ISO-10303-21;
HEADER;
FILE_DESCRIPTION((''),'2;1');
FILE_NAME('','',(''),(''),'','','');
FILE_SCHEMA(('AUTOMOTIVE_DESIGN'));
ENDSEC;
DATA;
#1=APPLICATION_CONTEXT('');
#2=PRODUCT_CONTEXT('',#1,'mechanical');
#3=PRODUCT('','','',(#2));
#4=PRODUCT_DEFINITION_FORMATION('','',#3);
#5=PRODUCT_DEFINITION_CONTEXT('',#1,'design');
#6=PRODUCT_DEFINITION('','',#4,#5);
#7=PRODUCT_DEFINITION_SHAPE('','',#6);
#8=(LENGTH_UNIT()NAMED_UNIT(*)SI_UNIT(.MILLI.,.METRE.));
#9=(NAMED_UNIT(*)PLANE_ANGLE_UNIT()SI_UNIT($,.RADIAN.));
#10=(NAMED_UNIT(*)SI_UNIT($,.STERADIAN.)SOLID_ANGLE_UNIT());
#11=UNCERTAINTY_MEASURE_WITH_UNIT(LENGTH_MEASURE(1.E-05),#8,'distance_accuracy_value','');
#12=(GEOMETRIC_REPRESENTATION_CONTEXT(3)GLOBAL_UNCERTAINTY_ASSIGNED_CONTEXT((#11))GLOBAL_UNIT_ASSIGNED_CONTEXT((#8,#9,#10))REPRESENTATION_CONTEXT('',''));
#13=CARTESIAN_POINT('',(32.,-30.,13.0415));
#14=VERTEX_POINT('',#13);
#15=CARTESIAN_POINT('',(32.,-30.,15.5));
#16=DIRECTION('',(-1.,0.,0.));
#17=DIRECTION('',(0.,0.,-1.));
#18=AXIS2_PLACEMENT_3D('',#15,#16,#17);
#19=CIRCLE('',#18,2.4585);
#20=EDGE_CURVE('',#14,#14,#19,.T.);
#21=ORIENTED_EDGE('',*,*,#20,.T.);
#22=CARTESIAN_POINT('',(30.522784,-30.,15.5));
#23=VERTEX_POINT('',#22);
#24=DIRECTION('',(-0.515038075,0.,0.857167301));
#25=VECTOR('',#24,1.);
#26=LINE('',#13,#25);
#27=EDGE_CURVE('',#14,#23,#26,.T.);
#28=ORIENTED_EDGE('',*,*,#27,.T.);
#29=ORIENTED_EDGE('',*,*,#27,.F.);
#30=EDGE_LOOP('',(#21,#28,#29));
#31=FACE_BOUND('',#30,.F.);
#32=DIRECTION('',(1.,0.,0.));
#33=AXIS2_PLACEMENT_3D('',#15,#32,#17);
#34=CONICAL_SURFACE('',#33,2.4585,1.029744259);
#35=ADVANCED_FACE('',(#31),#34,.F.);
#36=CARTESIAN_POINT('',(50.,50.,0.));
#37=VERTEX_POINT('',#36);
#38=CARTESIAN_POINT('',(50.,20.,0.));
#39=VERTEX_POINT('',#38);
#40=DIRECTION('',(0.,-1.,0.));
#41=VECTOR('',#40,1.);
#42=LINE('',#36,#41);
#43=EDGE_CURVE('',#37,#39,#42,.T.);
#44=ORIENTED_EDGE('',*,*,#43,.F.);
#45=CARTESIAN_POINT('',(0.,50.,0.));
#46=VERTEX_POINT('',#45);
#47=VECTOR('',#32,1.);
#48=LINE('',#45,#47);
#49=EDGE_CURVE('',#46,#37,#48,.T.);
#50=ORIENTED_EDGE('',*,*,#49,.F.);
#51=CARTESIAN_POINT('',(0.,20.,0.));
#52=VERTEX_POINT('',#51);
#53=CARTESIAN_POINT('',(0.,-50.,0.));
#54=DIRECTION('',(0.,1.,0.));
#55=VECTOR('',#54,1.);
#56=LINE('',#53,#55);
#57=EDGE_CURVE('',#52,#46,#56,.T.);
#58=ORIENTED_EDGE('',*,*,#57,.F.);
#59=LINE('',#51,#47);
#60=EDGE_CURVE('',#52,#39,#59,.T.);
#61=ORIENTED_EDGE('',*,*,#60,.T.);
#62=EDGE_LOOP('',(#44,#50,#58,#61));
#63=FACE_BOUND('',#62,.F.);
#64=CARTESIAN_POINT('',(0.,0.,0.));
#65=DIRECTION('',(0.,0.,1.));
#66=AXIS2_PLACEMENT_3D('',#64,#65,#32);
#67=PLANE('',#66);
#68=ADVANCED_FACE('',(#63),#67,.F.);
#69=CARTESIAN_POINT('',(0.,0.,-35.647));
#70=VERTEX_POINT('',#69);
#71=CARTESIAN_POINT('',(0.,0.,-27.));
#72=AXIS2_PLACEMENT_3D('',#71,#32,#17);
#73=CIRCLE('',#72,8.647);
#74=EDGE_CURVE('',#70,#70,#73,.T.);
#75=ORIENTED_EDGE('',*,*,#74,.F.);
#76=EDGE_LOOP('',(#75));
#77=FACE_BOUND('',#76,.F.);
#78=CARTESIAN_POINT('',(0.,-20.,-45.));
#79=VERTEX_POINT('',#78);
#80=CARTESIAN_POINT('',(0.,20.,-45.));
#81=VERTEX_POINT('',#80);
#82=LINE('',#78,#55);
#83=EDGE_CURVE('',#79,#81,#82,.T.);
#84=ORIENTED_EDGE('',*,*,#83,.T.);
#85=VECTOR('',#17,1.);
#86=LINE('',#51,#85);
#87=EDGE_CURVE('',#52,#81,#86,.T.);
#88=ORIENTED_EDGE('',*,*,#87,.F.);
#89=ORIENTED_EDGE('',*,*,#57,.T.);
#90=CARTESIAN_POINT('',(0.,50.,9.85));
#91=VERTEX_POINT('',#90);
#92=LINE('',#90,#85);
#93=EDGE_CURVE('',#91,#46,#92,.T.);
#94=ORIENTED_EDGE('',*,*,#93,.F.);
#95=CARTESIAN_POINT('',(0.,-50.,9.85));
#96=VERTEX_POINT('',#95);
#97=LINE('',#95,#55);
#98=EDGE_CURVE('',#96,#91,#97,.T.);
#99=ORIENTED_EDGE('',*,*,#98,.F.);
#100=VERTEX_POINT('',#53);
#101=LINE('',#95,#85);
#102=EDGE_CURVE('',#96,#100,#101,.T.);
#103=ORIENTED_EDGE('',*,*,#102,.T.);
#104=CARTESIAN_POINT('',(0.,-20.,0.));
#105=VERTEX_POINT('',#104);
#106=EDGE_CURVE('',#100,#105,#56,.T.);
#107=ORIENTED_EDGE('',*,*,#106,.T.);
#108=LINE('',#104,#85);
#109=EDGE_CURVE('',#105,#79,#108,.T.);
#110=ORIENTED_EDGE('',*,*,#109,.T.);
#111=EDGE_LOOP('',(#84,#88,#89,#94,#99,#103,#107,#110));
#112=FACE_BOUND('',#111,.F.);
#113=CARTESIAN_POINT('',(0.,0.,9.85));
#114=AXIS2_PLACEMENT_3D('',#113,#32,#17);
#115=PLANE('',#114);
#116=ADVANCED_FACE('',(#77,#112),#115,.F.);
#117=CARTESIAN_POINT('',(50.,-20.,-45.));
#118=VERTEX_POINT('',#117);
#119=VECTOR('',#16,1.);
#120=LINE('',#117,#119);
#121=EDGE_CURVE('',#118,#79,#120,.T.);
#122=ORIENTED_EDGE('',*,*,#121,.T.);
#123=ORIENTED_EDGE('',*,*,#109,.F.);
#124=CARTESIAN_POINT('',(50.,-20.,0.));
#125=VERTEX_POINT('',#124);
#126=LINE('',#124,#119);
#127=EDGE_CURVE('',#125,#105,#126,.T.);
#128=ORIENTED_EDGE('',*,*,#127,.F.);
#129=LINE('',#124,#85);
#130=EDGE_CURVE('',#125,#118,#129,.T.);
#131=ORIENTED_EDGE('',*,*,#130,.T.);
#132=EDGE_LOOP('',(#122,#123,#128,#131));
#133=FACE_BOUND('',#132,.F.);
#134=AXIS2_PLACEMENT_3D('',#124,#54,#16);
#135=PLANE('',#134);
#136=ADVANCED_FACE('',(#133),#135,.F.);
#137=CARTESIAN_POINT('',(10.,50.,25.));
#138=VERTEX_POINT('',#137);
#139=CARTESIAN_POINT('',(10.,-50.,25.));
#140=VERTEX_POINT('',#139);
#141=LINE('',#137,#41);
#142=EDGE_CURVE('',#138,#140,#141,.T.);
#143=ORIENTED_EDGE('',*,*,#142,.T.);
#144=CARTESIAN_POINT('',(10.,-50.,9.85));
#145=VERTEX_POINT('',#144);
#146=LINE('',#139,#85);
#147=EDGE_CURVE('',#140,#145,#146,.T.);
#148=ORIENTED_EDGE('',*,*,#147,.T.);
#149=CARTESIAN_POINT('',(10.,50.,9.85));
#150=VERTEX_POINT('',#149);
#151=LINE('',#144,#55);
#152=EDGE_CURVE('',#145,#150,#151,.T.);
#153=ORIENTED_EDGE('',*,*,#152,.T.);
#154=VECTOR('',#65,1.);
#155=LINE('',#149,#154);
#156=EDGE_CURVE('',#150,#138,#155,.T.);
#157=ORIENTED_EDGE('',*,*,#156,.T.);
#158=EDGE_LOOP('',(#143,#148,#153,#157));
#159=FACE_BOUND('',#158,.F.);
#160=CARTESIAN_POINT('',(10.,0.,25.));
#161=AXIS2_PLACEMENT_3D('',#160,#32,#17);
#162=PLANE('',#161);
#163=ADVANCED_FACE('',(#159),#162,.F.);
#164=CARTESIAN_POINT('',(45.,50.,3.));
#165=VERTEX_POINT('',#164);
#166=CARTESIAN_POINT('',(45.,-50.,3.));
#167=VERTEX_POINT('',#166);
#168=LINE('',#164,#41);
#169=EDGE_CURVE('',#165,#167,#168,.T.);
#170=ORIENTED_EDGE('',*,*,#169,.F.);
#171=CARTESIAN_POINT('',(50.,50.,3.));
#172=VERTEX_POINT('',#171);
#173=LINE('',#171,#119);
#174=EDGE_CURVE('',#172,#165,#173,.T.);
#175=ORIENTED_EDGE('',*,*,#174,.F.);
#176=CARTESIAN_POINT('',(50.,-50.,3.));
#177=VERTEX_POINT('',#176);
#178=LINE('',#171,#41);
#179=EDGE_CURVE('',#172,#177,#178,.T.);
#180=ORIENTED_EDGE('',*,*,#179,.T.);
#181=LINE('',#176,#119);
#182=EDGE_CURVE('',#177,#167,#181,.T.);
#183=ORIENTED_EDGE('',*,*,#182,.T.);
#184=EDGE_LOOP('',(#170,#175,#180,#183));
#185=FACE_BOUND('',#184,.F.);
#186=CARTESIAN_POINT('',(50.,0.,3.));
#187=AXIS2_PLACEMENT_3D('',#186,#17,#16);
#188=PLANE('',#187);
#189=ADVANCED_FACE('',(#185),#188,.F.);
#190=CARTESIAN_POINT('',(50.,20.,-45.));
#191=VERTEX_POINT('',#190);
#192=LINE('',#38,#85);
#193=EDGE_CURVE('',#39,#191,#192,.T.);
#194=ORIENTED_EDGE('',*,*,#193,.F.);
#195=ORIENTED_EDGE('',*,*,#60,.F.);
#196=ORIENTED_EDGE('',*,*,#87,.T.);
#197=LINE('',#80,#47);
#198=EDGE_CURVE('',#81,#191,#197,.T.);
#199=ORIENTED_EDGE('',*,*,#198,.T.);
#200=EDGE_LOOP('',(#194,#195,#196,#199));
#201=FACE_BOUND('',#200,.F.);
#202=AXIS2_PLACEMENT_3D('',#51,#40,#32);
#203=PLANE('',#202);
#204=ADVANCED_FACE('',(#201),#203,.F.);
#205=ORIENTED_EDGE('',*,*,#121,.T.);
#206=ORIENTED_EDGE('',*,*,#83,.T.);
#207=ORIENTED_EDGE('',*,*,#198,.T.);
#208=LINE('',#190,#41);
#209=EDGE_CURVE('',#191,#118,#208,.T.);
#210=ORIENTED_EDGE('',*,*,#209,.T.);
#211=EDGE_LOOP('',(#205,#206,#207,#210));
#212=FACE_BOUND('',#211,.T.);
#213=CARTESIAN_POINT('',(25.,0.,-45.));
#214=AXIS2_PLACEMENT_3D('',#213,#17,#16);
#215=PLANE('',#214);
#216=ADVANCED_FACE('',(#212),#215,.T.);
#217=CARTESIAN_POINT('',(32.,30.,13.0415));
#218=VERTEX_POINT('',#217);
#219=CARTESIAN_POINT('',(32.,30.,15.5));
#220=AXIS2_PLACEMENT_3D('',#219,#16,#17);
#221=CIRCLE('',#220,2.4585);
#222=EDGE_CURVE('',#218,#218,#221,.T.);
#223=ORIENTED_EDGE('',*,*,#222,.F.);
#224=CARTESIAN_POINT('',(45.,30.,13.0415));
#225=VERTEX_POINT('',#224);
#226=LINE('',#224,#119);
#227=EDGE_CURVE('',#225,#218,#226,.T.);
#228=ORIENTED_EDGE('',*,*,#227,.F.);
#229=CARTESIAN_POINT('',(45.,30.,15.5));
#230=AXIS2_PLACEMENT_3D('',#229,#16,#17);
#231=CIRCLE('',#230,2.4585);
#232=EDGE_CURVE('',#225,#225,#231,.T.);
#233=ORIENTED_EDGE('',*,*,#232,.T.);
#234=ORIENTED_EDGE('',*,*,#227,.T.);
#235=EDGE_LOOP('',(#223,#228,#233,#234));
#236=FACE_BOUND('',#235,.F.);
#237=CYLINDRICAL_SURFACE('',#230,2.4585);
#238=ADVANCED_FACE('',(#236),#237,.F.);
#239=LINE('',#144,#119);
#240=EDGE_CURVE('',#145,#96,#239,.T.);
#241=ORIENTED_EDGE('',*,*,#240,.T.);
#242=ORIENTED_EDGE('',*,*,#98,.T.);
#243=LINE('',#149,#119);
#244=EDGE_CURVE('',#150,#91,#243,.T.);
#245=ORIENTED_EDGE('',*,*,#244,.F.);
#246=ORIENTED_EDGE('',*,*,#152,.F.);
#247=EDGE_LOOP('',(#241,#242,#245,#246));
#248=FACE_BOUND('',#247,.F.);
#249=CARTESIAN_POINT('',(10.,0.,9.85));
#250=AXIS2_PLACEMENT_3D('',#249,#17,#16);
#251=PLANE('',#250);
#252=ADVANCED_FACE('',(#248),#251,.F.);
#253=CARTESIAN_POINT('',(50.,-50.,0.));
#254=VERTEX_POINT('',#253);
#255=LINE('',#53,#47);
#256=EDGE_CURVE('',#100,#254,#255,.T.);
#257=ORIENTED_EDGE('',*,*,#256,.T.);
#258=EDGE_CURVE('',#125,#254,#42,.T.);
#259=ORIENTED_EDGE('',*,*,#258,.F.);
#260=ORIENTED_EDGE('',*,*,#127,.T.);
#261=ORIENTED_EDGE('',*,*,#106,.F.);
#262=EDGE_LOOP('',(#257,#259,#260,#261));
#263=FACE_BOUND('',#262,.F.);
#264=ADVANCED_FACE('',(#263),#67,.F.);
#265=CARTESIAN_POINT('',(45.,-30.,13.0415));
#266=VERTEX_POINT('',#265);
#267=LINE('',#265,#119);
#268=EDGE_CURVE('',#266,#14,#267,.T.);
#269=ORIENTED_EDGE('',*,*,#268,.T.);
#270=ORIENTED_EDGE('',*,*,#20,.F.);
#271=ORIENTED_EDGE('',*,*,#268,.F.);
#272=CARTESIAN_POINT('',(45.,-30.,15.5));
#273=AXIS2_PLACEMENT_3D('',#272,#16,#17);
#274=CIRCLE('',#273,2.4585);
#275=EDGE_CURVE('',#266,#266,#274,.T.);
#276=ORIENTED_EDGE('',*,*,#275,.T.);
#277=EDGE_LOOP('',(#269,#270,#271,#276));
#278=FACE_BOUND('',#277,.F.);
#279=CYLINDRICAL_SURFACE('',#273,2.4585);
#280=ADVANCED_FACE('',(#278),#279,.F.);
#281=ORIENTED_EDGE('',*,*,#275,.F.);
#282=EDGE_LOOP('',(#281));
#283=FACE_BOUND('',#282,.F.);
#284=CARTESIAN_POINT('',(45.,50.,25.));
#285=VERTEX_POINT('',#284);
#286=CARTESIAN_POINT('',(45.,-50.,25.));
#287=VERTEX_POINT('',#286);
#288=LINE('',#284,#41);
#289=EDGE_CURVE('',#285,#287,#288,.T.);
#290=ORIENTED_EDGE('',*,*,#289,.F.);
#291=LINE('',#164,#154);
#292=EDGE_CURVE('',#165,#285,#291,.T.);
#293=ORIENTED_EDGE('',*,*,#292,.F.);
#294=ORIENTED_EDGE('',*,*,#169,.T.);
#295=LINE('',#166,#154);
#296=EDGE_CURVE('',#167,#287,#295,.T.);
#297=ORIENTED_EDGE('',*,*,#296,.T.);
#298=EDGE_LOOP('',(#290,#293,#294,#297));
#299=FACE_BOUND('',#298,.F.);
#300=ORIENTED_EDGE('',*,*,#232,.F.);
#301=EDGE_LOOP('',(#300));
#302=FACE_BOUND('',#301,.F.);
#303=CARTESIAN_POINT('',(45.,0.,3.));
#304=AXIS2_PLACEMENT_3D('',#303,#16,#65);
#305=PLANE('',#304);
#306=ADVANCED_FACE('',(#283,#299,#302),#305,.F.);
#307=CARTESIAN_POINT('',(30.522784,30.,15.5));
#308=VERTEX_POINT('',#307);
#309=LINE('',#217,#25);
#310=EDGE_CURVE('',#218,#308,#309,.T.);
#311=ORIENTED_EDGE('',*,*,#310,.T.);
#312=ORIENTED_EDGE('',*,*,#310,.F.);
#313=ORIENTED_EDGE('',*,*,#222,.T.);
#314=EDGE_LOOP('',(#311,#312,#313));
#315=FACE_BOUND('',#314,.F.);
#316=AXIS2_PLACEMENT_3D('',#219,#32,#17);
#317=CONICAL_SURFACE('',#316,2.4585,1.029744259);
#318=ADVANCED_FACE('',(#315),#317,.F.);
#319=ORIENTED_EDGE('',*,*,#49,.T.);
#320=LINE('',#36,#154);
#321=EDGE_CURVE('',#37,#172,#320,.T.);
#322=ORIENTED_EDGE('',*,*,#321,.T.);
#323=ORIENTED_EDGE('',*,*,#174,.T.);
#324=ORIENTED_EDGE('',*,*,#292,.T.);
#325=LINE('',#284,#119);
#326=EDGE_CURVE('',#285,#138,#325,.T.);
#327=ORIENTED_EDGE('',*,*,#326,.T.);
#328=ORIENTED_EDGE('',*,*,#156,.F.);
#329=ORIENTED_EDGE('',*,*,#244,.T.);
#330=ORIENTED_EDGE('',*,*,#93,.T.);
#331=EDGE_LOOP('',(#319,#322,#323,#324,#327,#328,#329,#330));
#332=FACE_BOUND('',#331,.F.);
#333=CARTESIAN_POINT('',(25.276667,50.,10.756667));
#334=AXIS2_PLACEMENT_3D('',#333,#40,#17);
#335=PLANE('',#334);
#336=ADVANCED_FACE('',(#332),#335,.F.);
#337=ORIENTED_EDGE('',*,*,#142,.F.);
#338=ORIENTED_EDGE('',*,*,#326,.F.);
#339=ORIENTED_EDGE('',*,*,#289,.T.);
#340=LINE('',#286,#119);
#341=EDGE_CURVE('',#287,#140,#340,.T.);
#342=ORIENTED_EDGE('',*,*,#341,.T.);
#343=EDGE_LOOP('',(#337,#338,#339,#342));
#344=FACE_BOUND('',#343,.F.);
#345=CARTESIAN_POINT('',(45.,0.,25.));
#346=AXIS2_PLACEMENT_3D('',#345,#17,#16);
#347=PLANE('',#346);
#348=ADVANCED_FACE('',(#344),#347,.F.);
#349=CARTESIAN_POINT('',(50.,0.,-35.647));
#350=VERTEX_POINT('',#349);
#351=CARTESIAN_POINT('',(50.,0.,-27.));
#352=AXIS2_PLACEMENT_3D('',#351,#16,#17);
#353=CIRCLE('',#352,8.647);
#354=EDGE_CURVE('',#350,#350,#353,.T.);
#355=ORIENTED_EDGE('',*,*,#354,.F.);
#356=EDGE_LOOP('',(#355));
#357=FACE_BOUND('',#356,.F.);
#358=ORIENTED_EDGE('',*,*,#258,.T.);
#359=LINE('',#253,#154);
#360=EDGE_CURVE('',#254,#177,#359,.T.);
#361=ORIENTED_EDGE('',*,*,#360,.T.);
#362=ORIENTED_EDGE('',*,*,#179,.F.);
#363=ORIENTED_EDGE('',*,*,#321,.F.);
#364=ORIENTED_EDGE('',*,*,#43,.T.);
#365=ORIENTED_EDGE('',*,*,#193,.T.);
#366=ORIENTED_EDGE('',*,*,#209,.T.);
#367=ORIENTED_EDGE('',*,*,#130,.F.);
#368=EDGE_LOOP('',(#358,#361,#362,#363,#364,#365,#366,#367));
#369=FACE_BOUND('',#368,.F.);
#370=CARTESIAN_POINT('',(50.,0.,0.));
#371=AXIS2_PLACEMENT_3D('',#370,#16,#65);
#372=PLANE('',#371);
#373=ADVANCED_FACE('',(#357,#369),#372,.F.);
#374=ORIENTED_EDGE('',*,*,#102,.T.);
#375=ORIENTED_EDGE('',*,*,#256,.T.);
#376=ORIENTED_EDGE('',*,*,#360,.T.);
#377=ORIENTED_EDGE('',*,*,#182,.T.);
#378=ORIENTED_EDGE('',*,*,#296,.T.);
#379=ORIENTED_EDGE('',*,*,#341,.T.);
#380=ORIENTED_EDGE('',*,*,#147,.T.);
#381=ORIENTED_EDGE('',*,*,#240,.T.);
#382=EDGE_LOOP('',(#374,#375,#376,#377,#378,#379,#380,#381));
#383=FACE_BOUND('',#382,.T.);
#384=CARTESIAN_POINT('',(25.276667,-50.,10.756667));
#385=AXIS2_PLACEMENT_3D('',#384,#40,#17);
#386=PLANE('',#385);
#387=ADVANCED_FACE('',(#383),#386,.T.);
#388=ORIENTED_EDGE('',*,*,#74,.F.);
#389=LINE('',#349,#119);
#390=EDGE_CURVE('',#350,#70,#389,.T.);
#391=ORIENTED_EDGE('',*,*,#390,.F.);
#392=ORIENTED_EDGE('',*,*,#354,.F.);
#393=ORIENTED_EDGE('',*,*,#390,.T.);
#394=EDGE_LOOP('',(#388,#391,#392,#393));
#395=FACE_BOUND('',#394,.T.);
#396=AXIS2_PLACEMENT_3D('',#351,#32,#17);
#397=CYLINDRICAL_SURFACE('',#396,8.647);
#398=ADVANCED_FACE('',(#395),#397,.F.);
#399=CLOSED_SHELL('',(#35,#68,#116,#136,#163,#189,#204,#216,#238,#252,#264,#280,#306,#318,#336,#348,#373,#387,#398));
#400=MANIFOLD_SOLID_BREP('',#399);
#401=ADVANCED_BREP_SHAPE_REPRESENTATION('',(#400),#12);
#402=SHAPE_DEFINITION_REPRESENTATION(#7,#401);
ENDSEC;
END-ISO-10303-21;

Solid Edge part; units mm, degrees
sketch "Sketch1" plane through (0, 0, 0) normal (0, -1, 0) x (1, 0, 0)
  line L0 (0, 0) -> (50, 0)
  line L1 (50, 0) -> (50, 3)
  line L2 (50, 3) -> (45, 3)
  line L3 (45, 3) -> (45, 25)
  line L4 (45, 25) -> (10, 25)
  line L5 (10, 25) -> (10, 24.85)
  line L6 (10, 24.85) -> (10, 9.85)
  line L7 (10, 9.85) -> (0, 9.85)
  line L8 (0, 9.85) -> (0, 0)
extrude "Protrusion1" add sketch "Sketch1" along normal mid plane 100
sketch "Sketch2" plane through (25, 0, 0) normal (0, 0, -1) x (1, 0, 0)
  line L0 (-25, -20) -> (25, -20)
  line L1 (25, -20) -> (25, 20)
  line L2 (25, 20) -> (-25, 20)
  line L3 (-25, 20) -> (-25, -20)
  dimension "D1" = 40
extrude "ExtrudedProtrusion_2" add sketch "Sketch2" along normal blind 45
hole "Hole_1" at (50, 0, -27) direction (-1, 0, 0) diameter 17.294 end through all
hole "Hole_8" at (45, -30, 15.5) direction (-1, 0, 0) diameter 4.917 depth 13 tip angle 118 thread major 6 thread length 10
hole "Hole1" at (45, 30, 15.5) direction (-1, 0, 0) diameter 4.917 depth 13 tip angle 118 thread major 6 thread length 10
properties part number "2" material "cast iron"
